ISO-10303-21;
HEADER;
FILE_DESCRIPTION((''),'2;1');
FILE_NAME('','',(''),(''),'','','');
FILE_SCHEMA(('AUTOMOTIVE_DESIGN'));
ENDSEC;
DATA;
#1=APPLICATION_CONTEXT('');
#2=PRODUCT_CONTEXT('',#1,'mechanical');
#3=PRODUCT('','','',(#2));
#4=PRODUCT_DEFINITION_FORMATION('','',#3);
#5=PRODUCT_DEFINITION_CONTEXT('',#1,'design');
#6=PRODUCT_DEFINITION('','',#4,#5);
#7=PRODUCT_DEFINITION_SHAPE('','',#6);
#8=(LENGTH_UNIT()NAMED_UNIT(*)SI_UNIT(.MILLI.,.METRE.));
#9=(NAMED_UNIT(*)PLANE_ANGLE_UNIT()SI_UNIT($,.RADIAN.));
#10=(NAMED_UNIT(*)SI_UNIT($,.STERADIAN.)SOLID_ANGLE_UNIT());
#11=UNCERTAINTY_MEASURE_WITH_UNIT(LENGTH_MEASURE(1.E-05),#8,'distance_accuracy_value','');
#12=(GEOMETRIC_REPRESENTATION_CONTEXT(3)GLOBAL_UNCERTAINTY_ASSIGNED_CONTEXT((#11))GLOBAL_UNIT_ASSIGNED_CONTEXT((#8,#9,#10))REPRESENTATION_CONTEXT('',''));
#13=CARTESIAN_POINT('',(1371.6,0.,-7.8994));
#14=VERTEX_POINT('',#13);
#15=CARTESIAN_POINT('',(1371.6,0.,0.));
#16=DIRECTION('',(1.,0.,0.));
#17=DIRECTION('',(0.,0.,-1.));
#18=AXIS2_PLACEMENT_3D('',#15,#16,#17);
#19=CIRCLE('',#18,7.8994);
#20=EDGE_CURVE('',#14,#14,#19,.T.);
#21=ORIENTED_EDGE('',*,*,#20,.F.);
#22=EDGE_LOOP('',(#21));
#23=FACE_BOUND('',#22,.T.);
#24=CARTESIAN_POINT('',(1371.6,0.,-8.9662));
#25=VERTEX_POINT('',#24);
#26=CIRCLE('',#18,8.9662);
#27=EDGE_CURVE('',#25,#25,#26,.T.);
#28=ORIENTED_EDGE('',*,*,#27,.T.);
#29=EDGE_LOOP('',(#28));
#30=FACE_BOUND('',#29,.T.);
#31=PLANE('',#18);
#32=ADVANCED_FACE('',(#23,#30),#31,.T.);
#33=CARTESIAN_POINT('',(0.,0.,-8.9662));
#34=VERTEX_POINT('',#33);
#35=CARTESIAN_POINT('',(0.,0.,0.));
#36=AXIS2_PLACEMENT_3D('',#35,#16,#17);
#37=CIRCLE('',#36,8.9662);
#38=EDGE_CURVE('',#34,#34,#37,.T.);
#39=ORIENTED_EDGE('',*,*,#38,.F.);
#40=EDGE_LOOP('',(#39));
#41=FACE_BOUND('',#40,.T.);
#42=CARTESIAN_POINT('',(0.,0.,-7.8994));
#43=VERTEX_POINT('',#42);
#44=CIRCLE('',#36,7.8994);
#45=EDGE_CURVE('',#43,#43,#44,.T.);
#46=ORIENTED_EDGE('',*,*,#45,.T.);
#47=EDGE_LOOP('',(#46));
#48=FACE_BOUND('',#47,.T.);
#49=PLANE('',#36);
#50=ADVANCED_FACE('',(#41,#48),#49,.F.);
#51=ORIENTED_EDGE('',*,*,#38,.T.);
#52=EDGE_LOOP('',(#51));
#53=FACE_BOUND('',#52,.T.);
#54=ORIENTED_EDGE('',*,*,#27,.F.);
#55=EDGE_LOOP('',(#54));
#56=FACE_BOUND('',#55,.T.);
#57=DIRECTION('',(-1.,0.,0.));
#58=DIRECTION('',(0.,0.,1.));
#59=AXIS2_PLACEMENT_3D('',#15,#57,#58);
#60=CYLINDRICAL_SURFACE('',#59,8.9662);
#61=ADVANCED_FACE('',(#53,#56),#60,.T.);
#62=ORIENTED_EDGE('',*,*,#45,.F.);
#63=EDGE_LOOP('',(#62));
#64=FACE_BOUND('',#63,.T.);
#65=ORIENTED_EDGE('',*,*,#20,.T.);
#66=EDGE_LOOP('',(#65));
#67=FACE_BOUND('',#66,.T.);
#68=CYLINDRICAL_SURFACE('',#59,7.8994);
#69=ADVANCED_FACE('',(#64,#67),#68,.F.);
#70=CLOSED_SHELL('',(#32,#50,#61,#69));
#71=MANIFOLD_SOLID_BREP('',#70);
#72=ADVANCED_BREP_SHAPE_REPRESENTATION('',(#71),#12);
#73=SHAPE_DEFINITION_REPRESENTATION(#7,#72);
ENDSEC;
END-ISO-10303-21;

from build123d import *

# Parameters (mm, degrees)
SKETCH2_R   = 8.9662
SKETCH2_R_2 = 7.8994


with BuildPart() as part:
    # Sweep1: sweep along a path in Sketch1
    with BuildLine(Plane(origin=(0, 0, 0), x_dir=(1, 0, 0), z_dir=(0, 1, 0))) as sweep1_path:
        Line((0, 0), (1371.6, 0))
    # Sketch2 → Sweep1 (sweep)
    with BuildSketch(Plane(origin=(0, 0, 0), x_dir=(0, 0, -1), z_dir=(1, 0, 0))):
        Circle(SKETCH2_R)
        Circle(SKETCH2_R_2, mode=Mode.SUBTRACT)
    sweep(path=sweep1_path.line)


solid = part.part
